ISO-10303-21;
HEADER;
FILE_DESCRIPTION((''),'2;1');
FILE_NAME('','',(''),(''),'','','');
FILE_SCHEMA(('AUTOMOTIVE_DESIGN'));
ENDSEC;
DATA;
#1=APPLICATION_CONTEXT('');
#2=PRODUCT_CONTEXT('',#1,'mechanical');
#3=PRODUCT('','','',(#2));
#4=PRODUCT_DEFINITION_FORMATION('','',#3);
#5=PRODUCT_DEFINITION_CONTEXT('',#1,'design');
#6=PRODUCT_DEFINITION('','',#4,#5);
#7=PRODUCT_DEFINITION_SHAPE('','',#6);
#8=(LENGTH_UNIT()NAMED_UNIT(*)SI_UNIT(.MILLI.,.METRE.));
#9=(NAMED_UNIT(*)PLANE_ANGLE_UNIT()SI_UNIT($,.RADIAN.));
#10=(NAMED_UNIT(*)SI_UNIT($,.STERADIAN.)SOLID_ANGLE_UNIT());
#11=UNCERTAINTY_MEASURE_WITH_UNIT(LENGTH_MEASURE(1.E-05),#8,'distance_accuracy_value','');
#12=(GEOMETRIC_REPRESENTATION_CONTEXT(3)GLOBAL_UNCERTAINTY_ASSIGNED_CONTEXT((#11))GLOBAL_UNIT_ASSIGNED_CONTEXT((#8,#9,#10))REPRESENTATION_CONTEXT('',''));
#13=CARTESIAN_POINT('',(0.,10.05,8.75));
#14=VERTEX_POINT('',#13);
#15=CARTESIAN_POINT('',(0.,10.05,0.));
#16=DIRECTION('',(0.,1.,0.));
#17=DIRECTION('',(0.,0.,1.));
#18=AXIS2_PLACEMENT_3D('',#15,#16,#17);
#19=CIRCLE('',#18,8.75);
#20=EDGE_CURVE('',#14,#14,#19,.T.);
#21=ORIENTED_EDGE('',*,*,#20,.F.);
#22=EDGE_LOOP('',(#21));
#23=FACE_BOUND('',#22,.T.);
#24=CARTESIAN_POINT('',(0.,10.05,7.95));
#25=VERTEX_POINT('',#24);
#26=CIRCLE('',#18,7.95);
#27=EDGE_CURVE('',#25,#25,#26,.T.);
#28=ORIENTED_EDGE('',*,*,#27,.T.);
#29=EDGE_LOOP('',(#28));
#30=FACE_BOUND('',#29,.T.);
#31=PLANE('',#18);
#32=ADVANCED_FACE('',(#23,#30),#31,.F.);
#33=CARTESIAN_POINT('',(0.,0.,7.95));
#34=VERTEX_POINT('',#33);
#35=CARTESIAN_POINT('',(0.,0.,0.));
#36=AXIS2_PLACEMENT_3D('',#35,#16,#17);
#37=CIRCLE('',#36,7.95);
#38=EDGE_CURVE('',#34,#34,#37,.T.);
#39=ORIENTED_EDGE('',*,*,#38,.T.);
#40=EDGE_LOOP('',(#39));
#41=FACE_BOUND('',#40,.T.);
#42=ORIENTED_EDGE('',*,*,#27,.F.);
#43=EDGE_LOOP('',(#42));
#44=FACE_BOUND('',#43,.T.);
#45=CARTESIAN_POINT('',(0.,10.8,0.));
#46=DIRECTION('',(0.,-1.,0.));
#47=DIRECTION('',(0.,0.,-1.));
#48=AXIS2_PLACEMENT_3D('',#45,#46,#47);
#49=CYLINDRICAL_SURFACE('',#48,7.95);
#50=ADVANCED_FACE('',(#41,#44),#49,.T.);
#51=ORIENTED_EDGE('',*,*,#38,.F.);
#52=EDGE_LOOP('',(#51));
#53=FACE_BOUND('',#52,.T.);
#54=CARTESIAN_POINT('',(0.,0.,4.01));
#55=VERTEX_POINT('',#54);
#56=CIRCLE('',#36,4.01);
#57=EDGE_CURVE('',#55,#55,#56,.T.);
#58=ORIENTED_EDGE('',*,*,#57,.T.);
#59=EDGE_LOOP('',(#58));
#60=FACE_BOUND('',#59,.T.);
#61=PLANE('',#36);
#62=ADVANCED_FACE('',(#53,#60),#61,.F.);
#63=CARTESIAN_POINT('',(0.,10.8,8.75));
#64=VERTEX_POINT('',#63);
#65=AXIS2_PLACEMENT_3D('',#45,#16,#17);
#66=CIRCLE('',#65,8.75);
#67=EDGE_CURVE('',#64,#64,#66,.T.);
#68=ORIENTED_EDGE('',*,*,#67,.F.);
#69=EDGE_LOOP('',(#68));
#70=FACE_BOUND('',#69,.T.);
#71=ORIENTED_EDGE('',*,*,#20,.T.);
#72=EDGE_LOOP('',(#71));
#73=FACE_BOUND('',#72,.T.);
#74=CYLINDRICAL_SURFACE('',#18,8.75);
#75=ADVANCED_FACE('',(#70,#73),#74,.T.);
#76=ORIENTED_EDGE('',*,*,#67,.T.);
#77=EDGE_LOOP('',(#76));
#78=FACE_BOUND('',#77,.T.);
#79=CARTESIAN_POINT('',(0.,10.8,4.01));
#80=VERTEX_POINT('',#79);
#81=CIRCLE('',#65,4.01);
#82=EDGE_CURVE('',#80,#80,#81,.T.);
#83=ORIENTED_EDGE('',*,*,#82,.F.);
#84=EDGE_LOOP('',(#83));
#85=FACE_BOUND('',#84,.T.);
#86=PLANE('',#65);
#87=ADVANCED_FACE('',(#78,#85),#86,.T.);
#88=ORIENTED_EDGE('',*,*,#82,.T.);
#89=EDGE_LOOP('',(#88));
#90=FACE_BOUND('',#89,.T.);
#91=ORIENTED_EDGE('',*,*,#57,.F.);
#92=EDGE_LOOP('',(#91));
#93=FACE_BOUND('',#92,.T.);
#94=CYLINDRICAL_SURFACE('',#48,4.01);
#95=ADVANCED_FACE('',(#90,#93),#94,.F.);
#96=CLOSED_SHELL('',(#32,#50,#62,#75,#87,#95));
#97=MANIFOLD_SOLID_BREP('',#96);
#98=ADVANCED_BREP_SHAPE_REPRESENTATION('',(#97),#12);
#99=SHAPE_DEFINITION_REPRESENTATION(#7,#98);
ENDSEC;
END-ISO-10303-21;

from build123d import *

# Parameters (mm, degrees)
SKETCH1_R           = 7.95
SKETCH1_R_2         = 4.01
BOSS_EXTRUDE1_DEPTH = 10.8
SKETCH2_R           = 8.75
SKETCH2_R_2         = 5.01
BOSS_EXTRUDE2_DEPTH = 0.75


with BuildPart() as part:
    # Sketch1 → Boss-Extrude1 (new body)
    with BuildSketch(Plane(origin=(0, 0, 0), x_dir=(1, 0, 0), z_dir=(0, 1, 0))):
        Circle(SKETCH1_R)
        Circle(SKETCH1_R_2, mode=Mode.SUBTRACT)
    extrude(amount=BOSS_EXTRUDE1_DEPTH)

    # Sketch2 → Boss-Extrude2 (add)
    with BuildSketch(Plane(origin=(0, 10.8, 0), x_dir=(-1, 0, 0), z_dir=(0, 1, 0))):
        Circle(SKETCH2_R)
        Circle(SKETCH2_R_2, mode=Mode.SUBTRACT)
    extrude(amount=-BOSS_EXTRUDE2_DEPTH)


solid = part.part
